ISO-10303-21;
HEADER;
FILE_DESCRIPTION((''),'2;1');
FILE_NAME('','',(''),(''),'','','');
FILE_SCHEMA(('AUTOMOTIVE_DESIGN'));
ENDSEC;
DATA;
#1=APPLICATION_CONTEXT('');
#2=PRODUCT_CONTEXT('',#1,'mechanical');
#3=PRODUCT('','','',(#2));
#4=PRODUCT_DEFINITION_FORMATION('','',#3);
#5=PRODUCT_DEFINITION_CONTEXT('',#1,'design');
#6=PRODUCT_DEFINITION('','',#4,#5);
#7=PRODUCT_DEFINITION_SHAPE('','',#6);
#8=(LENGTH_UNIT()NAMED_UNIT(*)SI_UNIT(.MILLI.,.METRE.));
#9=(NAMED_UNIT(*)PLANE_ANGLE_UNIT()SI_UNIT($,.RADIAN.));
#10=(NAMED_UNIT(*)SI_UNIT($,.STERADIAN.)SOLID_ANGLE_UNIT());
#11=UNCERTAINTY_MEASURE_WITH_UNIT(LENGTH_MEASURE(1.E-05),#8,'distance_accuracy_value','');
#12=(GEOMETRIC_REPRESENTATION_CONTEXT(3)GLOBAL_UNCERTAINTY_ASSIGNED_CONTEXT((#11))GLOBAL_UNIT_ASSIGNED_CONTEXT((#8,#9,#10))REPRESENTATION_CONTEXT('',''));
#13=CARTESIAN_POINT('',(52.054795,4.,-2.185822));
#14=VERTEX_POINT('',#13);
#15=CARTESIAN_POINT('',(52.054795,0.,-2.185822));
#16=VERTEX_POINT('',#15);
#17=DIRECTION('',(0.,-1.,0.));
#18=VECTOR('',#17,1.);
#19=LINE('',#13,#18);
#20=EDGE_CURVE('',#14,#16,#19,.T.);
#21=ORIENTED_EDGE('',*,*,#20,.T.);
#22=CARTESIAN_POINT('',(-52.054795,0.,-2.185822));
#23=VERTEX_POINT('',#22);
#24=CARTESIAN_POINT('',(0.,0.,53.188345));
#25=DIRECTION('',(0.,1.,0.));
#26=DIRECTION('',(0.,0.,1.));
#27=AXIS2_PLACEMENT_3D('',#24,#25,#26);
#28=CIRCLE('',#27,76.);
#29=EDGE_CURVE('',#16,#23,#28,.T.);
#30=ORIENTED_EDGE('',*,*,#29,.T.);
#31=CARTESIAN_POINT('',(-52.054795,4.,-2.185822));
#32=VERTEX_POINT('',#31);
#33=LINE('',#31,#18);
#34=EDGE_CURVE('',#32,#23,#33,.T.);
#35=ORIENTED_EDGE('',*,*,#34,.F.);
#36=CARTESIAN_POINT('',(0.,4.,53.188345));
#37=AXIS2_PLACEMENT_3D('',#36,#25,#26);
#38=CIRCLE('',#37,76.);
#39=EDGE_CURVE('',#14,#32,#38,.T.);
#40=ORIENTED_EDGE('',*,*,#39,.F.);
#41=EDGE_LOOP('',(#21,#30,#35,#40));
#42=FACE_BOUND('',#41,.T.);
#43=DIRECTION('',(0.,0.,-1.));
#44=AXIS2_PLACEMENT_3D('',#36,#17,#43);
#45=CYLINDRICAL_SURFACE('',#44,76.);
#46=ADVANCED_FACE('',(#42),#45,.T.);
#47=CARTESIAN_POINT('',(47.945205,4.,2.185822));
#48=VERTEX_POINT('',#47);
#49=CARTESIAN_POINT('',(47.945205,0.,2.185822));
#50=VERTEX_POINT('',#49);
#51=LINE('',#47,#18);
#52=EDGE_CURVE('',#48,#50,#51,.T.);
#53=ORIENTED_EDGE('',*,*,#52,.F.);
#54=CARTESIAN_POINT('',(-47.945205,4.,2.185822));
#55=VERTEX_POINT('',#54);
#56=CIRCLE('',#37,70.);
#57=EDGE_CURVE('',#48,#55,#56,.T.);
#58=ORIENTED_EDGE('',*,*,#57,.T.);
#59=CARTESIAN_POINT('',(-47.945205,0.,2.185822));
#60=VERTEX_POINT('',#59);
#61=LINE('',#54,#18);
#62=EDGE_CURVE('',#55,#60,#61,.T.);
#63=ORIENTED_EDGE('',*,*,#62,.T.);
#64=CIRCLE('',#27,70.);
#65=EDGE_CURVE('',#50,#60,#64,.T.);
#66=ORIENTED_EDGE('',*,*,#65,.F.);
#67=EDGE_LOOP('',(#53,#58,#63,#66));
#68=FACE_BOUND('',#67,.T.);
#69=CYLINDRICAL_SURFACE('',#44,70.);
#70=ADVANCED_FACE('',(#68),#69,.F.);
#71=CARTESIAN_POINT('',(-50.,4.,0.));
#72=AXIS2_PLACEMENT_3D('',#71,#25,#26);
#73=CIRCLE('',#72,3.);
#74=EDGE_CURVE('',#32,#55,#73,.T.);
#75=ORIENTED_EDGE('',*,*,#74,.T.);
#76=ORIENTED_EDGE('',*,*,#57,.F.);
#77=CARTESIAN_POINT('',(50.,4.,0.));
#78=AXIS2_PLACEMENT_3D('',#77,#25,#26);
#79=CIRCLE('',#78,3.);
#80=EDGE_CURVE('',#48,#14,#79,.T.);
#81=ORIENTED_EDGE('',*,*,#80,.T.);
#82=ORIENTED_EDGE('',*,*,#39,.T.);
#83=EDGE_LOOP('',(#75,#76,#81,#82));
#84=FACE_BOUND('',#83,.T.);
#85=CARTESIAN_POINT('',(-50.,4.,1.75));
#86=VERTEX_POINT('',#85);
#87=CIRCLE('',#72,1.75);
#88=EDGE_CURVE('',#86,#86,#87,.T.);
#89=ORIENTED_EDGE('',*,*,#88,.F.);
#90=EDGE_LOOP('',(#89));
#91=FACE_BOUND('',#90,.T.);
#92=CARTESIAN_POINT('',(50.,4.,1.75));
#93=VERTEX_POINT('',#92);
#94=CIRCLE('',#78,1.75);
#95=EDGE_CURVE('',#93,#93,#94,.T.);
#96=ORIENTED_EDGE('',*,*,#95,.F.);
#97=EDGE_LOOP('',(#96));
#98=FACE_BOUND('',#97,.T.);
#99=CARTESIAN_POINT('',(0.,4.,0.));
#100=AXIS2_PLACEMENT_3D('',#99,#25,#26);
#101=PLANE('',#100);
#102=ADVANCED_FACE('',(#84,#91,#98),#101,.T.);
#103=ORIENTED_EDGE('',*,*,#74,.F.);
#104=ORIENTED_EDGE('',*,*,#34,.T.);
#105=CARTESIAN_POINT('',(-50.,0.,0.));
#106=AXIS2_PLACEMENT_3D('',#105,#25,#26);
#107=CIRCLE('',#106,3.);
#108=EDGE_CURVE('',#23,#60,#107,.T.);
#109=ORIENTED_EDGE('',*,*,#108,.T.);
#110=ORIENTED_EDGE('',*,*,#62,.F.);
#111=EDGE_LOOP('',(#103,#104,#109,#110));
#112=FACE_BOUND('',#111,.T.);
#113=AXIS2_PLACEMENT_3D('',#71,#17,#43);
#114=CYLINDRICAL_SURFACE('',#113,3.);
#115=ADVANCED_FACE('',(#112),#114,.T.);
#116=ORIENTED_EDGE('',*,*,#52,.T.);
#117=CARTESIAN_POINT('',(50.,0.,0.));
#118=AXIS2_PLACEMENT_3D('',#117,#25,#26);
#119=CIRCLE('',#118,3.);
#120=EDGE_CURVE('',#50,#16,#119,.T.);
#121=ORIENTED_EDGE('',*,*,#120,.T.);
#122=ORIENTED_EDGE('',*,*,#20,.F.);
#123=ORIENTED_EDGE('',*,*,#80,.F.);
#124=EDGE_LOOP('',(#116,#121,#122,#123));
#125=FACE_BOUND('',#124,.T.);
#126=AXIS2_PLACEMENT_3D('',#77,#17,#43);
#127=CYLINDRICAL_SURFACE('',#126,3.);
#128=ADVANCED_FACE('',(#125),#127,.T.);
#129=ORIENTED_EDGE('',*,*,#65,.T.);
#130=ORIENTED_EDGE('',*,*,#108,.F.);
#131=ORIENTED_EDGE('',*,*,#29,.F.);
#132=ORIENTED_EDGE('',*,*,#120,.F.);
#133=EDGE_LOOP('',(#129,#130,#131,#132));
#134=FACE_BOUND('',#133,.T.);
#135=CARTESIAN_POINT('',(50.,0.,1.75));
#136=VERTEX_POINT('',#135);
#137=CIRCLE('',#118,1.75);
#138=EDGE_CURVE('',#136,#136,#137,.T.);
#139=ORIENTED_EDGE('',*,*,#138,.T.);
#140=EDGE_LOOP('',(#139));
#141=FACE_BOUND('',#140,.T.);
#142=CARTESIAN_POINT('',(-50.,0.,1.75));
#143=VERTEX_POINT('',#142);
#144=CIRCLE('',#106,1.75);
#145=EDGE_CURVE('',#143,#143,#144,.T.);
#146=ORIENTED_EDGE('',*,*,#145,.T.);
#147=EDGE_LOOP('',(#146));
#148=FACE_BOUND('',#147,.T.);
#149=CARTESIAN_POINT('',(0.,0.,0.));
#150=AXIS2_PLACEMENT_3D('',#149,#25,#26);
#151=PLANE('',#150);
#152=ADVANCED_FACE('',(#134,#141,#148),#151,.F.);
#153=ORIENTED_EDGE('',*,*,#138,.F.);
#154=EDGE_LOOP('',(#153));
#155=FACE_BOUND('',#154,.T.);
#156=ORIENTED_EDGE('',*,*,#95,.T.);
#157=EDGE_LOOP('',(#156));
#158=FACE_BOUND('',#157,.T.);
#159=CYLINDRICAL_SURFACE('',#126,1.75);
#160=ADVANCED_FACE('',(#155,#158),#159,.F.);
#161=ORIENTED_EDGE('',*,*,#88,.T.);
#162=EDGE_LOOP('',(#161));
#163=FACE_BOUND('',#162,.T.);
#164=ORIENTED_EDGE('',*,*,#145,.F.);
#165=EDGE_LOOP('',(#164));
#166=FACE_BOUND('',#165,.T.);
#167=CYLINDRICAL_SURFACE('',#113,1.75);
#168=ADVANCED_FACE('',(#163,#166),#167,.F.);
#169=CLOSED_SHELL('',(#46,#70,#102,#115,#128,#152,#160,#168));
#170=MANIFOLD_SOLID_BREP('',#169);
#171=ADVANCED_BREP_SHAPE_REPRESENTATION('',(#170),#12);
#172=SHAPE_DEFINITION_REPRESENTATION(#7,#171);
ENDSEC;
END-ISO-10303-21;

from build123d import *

# Parameters (mm, degrees)
ESQUISSE1_R        = 1.75
BOSS_EXTRU_1_DEPTH = 4


with BuildPart() as part:
    # Esquisse1 → Boss.-Extru.1 (new body)
    with BuildSketch(Plane(origin=(0, 0, 0), x_dir=(1, 0, 0), z_dir=(0, 1, 0))):
        with BuildLine():
            ThreePointArc((-52.054794536, 2.185822365), (-52.185822369, -2.054794533), (-47.945205471, -2.185822372))
            ThreePointArc((-47.945205471, -2.185822372), (-1.4e-08, 16.811655412), (47.94520545, -2.185822352))
            ThreePointArc((47.94520545, -2.185822352), (52.185822338, -2.054794566), (52.054794582, 2.185822323))
            ThreePointArc((52.054794582, 2.185822323), (3.1e-08, 22.811655412), (-52.054794536, 2.185822365))
        make_face()
        with Locations(Location((-50, 0, 0), (0, 0, 270))):
            Circle(ESQUISSE1_R, mode=Mode.SUBTRACT)
        with Locations(Location((50, 0, 0), (0, 0, 270))):
            Circle(ESQUISSE1_R, mode=Mode.SUBTRACT)
    extrude(amount=BOSS_EXTRU_1_DEPTH)


solid = part.part
